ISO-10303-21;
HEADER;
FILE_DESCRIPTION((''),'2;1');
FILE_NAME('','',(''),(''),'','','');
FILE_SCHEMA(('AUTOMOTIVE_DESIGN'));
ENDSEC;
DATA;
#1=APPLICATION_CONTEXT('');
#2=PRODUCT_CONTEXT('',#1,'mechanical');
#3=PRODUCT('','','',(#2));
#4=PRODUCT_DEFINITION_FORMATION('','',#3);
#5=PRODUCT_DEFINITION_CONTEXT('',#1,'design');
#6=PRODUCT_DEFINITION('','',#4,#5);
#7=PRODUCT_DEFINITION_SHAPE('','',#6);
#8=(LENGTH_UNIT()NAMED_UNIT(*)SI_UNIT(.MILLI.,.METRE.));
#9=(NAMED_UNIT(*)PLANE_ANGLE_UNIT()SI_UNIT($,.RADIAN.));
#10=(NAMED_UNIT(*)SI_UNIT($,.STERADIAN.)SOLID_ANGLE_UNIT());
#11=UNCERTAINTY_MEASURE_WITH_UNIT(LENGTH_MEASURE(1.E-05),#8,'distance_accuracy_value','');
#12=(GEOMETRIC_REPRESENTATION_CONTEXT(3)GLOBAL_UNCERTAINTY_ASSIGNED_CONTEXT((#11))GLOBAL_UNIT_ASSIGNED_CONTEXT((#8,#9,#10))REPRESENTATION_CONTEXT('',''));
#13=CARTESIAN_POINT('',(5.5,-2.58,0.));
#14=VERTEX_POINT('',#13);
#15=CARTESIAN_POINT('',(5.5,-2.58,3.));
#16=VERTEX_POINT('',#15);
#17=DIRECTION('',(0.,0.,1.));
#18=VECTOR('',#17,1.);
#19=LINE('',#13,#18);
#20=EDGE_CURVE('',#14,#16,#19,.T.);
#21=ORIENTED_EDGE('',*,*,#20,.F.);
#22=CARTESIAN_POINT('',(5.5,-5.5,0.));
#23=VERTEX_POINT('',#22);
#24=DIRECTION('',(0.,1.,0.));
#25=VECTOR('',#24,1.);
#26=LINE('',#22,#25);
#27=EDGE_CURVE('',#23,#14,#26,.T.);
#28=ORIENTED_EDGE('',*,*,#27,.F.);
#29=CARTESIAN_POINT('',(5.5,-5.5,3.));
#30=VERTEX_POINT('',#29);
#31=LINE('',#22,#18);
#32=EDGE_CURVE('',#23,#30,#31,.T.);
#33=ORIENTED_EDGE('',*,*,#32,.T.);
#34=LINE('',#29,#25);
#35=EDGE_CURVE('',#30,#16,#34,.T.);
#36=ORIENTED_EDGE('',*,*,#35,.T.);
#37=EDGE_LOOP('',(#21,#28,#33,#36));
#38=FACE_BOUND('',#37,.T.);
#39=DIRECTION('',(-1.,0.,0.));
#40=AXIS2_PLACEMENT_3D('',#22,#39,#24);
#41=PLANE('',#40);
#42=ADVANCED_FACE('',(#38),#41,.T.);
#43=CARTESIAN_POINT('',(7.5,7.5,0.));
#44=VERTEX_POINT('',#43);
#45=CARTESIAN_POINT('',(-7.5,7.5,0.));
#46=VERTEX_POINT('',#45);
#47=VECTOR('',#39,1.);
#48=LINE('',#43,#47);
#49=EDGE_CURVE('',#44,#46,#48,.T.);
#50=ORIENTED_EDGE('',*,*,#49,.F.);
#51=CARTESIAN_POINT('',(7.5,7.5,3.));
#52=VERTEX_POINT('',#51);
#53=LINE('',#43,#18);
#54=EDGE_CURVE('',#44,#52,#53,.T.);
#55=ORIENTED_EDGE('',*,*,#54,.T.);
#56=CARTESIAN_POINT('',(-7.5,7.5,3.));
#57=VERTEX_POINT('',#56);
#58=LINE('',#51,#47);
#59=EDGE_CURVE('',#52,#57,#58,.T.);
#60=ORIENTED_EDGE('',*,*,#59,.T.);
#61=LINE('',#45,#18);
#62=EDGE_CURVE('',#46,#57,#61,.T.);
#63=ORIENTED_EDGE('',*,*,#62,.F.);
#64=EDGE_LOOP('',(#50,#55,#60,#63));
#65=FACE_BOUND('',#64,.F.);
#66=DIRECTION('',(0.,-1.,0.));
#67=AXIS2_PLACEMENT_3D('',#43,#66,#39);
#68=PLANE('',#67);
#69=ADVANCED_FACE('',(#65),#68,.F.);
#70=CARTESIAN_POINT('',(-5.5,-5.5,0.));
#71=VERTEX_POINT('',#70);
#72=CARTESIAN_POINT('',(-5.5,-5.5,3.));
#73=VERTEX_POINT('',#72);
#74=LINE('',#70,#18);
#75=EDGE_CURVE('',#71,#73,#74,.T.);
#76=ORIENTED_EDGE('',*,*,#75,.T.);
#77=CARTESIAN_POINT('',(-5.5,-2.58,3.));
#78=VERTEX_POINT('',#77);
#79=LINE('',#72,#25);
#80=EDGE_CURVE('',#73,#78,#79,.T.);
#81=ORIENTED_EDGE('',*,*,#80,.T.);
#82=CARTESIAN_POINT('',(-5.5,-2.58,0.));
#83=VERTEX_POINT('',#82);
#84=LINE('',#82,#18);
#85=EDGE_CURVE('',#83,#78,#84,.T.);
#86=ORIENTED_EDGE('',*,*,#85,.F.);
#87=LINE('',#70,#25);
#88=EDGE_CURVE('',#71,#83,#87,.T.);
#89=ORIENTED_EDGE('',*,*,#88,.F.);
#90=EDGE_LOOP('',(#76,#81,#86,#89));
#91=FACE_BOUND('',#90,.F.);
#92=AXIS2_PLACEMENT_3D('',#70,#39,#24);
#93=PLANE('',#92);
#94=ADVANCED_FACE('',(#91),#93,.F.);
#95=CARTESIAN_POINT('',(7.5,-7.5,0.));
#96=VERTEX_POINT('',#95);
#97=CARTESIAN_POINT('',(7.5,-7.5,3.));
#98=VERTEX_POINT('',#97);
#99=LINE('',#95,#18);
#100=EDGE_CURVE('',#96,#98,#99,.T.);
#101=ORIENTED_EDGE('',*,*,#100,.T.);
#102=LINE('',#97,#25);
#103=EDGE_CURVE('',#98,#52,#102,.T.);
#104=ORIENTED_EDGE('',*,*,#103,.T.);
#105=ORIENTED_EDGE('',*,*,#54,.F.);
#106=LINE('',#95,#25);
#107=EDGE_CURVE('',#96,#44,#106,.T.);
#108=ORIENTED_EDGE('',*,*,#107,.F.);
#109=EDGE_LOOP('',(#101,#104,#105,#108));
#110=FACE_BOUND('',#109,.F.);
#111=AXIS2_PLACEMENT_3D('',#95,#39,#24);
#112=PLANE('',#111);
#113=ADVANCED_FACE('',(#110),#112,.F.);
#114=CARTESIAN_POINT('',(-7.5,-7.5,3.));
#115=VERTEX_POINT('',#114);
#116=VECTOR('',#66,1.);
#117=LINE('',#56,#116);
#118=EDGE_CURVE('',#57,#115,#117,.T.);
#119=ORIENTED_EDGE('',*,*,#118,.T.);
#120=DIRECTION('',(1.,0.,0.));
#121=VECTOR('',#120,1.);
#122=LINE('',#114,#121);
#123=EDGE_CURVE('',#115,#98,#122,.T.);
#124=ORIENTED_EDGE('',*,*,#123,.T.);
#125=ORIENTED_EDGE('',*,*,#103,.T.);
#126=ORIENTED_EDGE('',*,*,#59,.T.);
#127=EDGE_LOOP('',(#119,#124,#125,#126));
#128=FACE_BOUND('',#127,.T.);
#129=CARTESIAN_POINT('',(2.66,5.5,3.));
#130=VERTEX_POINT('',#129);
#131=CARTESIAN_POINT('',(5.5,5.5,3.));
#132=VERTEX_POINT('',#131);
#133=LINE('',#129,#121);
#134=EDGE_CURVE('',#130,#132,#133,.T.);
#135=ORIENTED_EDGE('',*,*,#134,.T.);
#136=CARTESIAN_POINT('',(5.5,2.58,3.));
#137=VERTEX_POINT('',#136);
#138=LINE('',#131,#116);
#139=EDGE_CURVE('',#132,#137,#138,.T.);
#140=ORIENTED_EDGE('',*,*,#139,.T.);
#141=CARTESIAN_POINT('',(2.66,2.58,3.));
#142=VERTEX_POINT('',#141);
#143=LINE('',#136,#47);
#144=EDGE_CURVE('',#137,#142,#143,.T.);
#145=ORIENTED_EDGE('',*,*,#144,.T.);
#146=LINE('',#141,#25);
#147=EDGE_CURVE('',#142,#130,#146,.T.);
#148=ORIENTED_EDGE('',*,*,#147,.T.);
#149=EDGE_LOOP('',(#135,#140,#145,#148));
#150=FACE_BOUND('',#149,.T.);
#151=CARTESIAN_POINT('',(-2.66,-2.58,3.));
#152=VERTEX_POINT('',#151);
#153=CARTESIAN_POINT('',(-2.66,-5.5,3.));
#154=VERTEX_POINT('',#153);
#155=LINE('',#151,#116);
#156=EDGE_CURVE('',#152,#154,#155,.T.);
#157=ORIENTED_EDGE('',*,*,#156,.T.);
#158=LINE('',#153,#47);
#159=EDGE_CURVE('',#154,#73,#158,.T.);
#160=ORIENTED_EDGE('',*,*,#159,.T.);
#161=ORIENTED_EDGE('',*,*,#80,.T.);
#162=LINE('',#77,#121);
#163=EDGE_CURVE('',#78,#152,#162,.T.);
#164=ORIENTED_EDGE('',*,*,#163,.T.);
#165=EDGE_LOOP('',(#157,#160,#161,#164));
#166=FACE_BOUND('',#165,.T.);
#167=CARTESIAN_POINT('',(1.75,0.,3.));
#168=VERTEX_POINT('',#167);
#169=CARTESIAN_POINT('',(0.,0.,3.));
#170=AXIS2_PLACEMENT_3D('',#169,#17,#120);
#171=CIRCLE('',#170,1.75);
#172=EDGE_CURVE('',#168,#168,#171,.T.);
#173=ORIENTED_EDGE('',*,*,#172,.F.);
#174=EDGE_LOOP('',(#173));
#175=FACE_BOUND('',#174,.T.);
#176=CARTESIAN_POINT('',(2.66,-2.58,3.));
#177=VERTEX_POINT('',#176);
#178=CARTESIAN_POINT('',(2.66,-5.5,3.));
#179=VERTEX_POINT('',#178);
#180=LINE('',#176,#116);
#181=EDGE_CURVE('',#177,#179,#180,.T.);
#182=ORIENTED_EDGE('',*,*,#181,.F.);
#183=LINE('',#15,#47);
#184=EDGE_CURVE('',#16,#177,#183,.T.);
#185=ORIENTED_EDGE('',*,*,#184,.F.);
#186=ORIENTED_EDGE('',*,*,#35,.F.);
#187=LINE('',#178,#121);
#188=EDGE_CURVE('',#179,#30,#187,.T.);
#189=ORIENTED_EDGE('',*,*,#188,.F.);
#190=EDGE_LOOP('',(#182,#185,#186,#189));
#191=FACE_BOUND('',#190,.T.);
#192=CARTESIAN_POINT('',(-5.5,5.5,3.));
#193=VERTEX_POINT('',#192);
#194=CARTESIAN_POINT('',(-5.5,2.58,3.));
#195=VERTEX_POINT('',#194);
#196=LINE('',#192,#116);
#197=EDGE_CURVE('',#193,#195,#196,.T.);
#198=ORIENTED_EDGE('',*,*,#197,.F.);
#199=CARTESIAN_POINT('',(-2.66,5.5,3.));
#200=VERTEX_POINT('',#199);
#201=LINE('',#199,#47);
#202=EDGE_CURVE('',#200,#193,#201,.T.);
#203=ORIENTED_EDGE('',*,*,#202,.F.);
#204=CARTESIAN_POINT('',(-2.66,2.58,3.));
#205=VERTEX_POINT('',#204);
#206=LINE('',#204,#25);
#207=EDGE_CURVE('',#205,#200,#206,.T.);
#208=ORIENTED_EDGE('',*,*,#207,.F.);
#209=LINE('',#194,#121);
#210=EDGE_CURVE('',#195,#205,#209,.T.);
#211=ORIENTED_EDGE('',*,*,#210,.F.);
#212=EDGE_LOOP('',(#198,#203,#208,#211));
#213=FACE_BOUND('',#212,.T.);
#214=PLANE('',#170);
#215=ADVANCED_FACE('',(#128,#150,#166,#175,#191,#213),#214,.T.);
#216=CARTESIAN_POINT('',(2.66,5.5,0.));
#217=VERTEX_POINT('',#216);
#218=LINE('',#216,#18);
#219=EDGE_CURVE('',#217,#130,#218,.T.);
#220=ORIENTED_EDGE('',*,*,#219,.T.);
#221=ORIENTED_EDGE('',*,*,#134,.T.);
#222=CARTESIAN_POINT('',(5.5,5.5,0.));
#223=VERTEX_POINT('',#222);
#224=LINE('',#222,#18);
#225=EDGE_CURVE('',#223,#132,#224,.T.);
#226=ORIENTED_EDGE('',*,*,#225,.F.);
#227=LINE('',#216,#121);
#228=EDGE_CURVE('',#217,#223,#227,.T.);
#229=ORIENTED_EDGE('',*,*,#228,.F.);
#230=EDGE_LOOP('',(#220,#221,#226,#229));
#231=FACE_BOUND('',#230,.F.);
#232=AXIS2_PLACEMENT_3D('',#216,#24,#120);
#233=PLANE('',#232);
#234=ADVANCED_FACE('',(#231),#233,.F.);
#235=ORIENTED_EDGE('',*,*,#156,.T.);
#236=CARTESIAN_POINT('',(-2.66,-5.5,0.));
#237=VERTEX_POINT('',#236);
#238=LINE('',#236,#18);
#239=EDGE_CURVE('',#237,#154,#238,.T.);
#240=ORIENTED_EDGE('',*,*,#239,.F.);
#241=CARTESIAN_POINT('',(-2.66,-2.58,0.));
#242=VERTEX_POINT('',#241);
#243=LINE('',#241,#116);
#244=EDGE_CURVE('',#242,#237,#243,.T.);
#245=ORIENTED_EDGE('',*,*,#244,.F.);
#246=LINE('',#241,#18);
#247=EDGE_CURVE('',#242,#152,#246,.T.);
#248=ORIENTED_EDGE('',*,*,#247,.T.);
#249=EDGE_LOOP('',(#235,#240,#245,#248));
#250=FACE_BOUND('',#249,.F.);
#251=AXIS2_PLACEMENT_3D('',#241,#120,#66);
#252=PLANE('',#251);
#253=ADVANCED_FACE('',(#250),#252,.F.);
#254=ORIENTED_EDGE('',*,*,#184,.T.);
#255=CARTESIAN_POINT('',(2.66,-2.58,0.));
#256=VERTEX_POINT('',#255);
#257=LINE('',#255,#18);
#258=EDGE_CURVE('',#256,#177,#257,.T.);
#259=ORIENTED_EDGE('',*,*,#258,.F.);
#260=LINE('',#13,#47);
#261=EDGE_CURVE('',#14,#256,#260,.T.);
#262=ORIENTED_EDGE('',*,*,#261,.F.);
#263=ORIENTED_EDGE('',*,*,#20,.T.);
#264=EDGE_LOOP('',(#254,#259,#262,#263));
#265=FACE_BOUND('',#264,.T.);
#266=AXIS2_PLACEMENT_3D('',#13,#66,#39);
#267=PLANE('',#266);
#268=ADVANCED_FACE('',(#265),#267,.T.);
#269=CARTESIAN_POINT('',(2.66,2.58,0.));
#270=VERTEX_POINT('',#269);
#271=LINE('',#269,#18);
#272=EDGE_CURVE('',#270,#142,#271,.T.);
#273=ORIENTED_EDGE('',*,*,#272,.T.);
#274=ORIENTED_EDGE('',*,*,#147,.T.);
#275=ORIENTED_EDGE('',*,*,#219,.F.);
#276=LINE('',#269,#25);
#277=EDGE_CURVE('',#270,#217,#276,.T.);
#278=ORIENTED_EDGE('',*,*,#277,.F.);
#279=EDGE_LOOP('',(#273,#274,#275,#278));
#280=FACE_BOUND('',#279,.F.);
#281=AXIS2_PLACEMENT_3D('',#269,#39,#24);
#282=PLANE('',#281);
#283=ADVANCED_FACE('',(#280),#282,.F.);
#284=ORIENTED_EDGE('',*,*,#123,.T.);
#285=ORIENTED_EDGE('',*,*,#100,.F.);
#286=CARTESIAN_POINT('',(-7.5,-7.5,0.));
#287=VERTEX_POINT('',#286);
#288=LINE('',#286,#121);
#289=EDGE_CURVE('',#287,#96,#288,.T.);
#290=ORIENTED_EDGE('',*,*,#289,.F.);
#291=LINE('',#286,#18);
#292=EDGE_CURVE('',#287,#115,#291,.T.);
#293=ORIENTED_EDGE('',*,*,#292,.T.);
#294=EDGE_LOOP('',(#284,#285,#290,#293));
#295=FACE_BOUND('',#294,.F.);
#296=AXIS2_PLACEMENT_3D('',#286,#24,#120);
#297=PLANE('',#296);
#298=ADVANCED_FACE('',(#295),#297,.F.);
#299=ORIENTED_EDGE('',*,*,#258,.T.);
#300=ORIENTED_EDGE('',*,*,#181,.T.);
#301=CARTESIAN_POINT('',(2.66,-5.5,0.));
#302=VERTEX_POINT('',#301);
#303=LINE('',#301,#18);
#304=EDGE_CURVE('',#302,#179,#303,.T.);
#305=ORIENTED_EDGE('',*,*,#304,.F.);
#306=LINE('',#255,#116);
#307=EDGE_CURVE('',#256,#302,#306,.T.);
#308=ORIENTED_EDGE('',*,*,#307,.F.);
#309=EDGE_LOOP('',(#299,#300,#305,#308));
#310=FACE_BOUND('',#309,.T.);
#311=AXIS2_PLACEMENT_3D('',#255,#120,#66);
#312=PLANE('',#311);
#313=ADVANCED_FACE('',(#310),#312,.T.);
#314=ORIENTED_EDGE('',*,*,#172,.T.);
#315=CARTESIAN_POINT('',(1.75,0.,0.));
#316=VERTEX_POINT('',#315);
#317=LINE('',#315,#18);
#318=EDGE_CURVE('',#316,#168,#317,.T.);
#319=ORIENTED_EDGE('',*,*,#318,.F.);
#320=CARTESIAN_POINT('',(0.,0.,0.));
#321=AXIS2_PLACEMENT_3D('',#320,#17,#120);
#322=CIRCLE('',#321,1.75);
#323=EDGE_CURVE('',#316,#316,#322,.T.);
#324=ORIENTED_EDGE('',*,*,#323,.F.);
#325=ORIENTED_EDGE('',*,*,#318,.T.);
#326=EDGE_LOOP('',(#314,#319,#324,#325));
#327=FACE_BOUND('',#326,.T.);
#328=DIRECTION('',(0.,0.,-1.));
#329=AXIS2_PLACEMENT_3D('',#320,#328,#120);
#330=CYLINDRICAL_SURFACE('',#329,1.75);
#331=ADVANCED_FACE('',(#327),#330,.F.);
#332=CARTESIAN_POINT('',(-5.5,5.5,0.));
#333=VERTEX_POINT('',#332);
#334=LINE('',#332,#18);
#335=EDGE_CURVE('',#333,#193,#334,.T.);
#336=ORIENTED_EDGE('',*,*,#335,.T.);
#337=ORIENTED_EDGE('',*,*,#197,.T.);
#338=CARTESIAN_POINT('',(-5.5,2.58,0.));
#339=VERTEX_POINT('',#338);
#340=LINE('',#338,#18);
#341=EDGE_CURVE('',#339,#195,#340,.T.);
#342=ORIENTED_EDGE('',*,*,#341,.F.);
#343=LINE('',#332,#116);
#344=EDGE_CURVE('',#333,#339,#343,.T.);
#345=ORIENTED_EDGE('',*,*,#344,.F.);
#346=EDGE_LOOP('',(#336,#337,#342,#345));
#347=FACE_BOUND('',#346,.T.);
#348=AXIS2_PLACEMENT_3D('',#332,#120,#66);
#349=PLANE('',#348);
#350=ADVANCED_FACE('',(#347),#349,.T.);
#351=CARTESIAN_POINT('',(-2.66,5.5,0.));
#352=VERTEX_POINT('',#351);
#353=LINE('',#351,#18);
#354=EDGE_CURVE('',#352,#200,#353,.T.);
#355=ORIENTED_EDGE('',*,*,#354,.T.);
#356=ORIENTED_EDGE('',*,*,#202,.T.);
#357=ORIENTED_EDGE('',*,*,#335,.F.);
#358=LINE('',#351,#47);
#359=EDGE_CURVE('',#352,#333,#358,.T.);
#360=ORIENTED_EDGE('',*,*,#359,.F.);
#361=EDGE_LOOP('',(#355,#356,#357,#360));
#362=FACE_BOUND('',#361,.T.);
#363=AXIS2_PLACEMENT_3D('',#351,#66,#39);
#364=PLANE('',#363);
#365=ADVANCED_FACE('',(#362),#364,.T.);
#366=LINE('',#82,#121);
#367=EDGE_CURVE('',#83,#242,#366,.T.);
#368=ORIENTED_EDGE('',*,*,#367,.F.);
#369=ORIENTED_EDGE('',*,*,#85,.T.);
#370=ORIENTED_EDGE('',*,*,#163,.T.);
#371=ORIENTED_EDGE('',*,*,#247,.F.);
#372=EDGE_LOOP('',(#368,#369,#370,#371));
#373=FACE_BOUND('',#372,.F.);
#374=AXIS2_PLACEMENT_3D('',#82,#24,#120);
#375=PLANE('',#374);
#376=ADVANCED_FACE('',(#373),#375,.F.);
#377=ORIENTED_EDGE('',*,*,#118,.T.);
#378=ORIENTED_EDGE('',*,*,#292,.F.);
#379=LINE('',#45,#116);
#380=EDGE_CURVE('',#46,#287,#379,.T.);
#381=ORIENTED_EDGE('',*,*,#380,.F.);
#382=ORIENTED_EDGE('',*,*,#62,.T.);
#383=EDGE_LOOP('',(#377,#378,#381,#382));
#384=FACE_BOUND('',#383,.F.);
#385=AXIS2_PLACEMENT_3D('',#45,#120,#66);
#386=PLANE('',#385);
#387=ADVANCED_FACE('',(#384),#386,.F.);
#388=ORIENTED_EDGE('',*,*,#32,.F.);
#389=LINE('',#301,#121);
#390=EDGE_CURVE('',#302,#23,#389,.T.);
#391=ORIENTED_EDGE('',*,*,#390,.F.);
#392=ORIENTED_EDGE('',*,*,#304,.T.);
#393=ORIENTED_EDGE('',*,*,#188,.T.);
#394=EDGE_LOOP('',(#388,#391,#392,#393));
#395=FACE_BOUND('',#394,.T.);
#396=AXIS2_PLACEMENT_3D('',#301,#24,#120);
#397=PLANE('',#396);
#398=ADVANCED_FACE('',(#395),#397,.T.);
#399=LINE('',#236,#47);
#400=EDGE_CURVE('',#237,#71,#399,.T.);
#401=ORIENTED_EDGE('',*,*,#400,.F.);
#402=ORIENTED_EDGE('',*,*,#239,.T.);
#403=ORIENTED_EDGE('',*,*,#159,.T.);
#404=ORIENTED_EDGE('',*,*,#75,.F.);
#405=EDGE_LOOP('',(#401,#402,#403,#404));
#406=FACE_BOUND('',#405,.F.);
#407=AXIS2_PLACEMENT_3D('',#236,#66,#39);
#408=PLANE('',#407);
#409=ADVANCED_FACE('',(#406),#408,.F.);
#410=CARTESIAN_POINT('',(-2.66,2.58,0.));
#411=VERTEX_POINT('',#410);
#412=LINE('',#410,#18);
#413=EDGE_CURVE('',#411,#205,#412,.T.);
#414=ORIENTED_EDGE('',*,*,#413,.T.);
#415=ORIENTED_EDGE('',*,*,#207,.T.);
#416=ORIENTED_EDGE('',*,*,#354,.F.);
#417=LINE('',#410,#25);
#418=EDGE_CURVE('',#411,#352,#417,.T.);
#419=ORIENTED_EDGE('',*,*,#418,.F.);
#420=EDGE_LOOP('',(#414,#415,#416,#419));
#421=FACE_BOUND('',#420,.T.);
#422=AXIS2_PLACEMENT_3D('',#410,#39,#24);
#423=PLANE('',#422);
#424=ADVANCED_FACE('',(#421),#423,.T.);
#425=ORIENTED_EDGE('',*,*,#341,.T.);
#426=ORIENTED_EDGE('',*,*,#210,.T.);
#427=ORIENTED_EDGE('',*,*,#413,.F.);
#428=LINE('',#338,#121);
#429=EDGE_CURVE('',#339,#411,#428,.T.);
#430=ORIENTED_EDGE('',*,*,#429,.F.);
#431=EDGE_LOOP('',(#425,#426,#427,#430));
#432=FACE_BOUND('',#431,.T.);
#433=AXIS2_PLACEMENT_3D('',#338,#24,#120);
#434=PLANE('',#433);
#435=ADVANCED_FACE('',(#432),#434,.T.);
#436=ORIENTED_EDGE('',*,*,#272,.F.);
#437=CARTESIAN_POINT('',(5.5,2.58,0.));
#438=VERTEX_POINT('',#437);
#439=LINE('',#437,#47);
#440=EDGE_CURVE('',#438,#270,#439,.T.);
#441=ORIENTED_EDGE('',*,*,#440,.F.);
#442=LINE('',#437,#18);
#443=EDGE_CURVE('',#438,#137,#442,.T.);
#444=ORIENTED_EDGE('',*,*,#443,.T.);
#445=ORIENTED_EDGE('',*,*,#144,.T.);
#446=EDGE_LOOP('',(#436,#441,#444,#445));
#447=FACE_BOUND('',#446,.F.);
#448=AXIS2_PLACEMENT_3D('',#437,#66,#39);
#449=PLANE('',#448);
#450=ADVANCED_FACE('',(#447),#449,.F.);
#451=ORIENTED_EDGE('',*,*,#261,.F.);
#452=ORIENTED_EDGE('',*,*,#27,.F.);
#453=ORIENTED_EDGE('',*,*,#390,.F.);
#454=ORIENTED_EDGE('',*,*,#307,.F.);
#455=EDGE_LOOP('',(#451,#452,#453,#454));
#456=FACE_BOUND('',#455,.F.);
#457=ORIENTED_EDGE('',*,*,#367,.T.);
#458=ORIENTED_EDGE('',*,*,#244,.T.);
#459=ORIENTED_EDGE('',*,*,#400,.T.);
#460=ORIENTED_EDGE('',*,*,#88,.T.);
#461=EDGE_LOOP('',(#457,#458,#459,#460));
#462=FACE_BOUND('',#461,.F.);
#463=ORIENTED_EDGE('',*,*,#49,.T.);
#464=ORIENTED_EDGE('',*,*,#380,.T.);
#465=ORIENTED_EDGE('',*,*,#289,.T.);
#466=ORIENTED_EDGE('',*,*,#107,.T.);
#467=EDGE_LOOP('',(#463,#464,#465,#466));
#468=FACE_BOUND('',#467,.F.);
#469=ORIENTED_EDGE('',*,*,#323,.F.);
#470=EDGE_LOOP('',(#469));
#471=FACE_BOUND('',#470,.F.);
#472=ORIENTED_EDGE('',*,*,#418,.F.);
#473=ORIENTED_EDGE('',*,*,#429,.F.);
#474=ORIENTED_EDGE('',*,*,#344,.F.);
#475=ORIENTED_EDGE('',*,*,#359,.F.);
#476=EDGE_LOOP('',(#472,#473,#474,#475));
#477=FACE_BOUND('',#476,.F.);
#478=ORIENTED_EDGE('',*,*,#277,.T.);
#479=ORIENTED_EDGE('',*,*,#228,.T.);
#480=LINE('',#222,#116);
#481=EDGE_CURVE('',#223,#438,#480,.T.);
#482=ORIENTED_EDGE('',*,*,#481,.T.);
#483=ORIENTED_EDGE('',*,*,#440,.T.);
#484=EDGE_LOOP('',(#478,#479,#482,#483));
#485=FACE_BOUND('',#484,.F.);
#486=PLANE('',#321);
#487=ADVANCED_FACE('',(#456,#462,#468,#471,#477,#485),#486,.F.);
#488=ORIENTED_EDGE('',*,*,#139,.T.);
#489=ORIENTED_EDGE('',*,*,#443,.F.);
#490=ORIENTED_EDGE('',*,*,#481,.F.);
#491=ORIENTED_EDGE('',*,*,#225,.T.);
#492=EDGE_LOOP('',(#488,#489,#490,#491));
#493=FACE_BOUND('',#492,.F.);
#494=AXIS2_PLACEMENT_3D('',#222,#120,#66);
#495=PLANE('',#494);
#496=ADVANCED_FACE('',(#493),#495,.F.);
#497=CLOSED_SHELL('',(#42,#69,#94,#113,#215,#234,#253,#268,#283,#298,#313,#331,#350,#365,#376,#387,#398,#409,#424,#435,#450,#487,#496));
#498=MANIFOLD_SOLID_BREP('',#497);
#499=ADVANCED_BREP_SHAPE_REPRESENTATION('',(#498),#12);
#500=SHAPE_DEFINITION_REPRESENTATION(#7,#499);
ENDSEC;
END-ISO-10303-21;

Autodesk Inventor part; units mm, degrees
ref_plane "YZ Plane" through (0, 0, 0) normal (1, 0, 0) x (0, 1, 0)
ref_plane "XZ Plane" through (0, 0, 0) normal (0, 1, 0) x (-1, 0, 0)
ref_plane "XY Plane" through (0, 0, 0) normal (0, 0, 1) x (1, 0, 0)
sketch "Sketch1" plane through (0, 0, 0) normal (0, 0, 1) x (1, 0, 0)
  line L0 (-7.5, -7.5) -> (7.5, -7.5)
  line L1 (7.5, -7.5) -> (7.5, 7.5)
  line L2 (7.5, 7.5) -> (-7.5, 7.5)
  line L3 (-7.5, 7.5) -> (-7.5, -7.5)
  line L4 (-7.5, -7.5) -> (7.5, 7.5) construction
  line L5 (7.5, -7.5) -> (-7.5, 7.5) construction
  line L6 (-5.5, 2.58) -> (-2.66, 2.58)
  line L7 (-2.66, 2.58) -> (-2.66, 5.5)
  line L8 (-2.66, 5.5) -> (-5.5, 5.5)
  line L9 (-5.5, 5.5) -> (-5.5, 2.58)
  line L10 (0, 0) -> (0, 4.08) construction
  line L11 (0, 0) -> (5.4269, 0) construction
  line L12 (2.66, 2.58) -> (2.66, 5.5)
  line L13 (2.66, 5.5) -> (5.5, 5.5)
  line L14 (5.5, 5.5) -> (5.5, 2.58)
  line L15 (5.5, 2.58) -> (2.66, 2.58)
  line L16 (2.66, -2.58) -> (2.66, -5.5)
  line L17 (5.5, -2.58) -> (2.66, -2.58)
  line L18 (5.5, -5.5) -> (5.5, -2.58)
  line L19 (2.66, -5.5) -> (5.5, -5.5)
  line L20 (-5.5, -2.58) -> (-2.66, -2.58)
  line L21 (-2.66, -5.5) -> (-5.5, -5.5)
  line L22 (-5.5, -5.5) -> (-5.5, -2.58)
  line L23 (-2.66, -2.58) -> (-2.66, -5.5)
  circle A0 centre (0, 0) radius 1.75
  dimension "d2" = 15
  dimension "d4" = 2.84
  dimension "d5" = 2.92
  dimension "d6" = 2
  dimension "d7" = 2
  dimension "d8" = 3.5
extrude "Extrusion1" add sketch "Sketch1" along normal blind 3
equation "\"d6\" = d7"
equation "\"d8\" = stickL"
equation "\"thick\" = 0.5"
equation "\"lrlr\" = 19"
equation "\"lrmid\" = 19.9"
equation "\"lrdepth\" = 3.3"
equation "\"mlr\" = 16.6"
equation "\"mmid\" = 24.7"
equation "\"mdepth\" = 4.5"
equation "\"lrltotal\" = 126.6"
equation "\"mltotal\" = 126.6"
equation "\"lrbetween\" = 52.1"
equation "\"mbetween\" = 49.5"
equation "\"toler\" = 1"
equation "\"tight\" = 0.08"
equation "\"stuckw\" = 6"
equation "\"sidewallL\" = 132.6"
equation "\"heaterH\" = 117.3"
equation "\"stickL\" = 3.5"
equation "\"wireH\" = 25"
properties part number "motor_top"
